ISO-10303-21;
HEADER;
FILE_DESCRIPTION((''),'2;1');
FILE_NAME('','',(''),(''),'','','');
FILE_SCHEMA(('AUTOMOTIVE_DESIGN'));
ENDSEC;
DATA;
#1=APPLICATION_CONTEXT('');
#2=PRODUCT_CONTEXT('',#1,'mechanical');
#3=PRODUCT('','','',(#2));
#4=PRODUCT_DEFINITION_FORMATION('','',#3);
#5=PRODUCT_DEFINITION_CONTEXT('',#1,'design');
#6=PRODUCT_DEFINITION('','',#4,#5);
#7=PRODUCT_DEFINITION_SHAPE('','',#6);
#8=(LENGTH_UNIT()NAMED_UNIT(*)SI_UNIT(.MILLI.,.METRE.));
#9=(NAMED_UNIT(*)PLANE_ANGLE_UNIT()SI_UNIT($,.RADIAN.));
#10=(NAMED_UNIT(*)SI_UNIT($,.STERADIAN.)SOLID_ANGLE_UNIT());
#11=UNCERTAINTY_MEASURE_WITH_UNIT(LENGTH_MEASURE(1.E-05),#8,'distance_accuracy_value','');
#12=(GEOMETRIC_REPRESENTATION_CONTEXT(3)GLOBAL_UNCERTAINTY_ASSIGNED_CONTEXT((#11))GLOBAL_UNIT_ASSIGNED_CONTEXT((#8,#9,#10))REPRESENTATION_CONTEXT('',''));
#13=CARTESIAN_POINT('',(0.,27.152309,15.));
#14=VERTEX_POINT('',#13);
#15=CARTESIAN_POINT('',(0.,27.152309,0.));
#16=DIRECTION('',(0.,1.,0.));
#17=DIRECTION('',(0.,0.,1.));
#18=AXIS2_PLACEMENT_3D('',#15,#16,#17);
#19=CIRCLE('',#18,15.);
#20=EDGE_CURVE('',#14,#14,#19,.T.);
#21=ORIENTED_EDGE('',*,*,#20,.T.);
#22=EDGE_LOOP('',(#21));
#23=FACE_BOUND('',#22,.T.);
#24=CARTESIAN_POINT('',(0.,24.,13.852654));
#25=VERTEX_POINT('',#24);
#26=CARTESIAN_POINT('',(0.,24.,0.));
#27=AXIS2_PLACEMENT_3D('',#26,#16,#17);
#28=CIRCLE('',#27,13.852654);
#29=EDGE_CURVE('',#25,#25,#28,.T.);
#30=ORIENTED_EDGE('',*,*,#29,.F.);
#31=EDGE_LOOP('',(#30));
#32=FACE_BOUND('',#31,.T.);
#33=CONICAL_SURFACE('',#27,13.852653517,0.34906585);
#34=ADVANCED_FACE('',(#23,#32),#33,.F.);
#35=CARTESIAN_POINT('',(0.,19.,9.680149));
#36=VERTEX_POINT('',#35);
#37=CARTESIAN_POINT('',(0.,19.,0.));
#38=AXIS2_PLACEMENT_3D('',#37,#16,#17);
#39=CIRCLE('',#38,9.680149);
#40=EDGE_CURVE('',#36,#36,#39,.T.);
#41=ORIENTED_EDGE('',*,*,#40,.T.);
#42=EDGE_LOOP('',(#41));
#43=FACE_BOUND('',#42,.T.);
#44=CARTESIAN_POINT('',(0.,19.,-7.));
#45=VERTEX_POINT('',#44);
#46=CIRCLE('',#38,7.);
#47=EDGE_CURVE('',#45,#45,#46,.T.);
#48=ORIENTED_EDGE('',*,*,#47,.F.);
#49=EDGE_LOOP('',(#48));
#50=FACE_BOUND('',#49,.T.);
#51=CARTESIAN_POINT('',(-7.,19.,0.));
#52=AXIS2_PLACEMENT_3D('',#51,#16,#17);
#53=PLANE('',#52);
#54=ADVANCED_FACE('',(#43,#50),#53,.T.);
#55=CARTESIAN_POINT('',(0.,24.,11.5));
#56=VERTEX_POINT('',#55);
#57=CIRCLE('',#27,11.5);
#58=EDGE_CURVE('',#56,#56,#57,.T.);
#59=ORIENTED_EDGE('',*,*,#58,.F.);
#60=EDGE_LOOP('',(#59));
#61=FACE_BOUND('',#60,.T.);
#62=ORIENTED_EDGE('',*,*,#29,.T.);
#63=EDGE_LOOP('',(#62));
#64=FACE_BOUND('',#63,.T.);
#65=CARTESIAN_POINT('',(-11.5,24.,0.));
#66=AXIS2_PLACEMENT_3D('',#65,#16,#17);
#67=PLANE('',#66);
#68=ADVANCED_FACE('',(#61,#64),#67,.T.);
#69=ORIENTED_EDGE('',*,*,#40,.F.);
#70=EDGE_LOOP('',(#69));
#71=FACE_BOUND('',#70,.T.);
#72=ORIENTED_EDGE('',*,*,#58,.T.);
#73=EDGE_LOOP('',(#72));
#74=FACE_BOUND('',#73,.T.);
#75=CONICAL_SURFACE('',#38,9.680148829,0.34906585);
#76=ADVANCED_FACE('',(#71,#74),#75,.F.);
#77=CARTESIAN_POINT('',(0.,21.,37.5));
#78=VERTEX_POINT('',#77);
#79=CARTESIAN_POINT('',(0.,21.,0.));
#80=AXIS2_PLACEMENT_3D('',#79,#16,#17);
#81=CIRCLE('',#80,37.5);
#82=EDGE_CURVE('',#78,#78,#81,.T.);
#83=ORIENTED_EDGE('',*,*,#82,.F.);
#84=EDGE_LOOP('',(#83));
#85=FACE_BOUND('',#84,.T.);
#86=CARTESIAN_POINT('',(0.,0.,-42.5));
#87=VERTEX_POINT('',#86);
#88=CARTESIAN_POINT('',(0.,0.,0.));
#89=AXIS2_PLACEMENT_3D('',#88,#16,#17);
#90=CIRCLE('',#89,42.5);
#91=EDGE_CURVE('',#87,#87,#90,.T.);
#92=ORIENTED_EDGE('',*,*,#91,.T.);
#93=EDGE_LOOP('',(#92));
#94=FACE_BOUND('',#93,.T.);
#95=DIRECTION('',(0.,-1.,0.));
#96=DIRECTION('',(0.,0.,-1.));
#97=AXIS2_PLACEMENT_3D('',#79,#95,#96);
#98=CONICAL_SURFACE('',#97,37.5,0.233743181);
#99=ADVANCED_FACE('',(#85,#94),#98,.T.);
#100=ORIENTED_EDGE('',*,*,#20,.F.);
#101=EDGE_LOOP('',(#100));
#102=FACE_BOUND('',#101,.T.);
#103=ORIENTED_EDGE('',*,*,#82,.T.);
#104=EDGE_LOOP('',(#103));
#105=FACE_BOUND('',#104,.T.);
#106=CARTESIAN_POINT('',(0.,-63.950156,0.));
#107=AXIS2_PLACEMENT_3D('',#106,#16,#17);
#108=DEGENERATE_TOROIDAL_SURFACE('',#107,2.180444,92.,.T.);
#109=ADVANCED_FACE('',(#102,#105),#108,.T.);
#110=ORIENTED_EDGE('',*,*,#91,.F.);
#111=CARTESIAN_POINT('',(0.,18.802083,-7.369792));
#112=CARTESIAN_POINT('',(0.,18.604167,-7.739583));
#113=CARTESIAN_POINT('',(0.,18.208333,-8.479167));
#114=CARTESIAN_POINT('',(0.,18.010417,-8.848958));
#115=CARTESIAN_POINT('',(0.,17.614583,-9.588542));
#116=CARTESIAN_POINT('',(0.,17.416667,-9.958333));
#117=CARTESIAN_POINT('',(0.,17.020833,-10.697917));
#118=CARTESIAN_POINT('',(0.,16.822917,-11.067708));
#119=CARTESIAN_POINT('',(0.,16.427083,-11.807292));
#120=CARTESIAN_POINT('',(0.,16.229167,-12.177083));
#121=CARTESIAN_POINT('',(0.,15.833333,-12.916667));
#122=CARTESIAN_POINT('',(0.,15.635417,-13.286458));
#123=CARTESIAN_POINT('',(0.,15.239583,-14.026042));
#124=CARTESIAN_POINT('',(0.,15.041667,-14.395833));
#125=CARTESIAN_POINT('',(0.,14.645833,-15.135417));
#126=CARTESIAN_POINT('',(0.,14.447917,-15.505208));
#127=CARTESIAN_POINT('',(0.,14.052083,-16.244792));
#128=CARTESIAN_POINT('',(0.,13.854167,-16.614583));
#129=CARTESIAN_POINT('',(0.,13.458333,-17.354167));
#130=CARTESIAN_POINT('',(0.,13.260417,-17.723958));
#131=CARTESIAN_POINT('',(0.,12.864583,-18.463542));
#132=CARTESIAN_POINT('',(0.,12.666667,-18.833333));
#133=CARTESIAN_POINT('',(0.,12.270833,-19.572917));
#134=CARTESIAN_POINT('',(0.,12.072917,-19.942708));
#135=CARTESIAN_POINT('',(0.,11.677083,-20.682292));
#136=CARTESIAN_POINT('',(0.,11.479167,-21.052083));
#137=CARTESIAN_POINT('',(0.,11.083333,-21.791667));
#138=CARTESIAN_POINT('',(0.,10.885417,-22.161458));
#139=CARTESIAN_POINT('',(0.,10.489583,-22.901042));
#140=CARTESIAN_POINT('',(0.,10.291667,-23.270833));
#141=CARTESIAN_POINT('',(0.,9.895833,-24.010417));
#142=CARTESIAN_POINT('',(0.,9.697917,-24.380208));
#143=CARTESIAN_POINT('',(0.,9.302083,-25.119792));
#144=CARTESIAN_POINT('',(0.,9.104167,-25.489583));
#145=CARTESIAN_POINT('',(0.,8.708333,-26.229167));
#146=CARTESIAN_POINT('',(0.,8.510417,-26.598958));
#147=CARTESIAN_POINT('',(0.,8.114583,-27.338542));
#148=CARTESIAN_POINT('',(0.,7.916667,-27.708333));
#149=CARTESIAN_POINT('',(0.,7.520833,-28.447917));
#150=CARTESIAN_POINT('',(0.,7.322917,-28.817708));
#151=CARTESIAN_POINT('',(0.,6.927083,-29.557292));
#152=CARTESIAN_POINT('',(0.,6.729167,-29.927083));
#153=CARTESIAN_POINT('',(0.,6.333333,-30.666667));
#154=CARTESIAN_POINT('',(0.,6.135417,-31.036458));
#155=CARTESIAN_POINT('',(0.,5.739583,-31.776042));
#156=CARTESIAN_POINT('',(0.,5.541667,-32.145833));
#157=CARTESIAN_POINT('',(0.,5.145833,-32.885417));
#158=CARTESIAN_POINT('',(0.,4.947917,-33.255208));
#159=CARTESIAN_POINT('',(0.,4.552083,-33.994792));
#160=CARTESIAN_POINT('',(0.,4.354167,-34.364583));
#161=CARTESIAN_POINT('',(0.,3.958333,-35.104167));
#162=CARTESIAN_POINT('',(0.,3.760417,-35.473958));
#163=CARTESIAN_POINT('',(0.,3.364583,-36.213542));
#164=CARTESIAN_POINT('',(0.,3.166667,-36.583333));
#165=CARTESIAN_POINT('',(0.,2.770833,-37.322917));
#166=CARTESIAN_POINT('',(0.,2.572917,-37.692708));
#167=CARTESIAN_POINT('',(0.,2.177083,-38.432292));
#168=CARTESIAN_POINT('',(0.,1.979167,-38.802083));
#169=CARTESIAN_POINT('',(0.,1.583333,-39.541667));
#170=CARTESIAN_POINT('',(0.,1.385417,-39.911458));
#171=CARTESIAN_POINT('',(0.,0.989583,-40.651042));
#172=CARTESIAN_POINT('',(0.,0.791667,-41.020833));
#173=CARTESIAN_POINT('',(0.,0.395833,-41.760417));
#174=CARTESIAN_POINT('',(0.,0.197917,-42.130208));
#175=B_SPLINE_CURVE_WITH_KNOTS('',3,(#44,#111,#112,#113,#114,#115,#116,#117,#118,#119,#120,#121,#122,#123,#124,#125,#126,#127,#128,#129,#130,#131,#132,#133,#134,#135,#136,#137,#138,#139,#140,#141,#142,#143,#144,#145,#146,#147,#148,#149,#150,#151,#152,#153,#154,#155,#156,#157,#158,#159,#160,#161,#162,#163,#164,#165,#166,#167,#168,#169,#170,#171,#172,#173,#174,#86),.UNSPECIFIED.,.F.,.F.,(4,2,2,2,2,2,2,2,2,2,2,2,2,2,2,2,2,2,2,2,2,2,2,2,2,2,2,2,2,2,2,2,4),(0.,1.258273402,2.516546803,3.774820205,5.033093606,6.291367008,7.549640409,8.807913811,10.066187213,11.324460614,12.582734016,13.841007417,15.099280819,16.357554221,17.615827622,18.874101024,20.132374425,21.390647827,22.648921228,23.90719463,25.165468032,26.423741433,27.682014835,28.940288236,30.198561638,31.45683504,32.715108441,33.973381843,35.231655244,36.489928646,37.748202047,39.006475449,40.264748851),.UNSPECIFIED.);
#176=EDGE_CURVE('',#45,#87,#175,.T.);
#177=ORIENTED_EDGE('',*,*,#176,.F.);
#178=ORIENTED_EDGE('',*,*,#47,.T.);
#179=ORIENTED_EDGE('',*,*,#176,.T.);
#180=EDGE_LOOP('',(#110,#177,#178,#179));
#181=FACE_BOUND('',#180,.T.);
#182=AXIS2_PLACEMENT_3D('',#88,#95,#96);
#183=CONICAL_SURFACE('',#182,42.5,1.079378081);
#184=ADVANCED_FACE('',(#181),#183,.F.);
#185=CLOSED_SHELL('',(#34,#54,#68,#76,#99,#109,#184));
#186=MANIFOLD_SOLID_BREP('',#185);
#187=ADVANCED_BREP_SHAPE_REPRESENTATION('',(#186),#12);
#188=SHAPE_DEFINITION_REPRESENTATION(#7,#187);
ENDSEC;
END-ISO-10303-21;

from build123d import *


with BuildPart() as part:
    # Sketch1 → Revolve1 (revolve)
    with BuildSketch(Plane.XY, mode=Mode.PRIVATE) as revolve1_sk:
        with BuildLine():
            Line((-7, 19), (-9.680148829, 19))
            Line((-9.680148829, 19), (-11.5, 24))
            Line((-11.5, 24), (-13.852653517, 24))
            Line((-13.852653517, 24), (-15, 27.152308554))
            ThreePointArc((-15, 27.152308554), (-26.445774227, 24.792132688), (-37.5, 21))
            Line((-37.5, 21), (-42.5, 0))
            Line((-42.5, 0), (-7, 19))
        make_face()
    revolve(revolve1_sk.sketch.rotate(Axis((0, 21.480589669, 0), (0, -1, 0)), 270), axis=Axis((0, 21.480589669, 0), (0, -1, 0)))


solid = part.part
